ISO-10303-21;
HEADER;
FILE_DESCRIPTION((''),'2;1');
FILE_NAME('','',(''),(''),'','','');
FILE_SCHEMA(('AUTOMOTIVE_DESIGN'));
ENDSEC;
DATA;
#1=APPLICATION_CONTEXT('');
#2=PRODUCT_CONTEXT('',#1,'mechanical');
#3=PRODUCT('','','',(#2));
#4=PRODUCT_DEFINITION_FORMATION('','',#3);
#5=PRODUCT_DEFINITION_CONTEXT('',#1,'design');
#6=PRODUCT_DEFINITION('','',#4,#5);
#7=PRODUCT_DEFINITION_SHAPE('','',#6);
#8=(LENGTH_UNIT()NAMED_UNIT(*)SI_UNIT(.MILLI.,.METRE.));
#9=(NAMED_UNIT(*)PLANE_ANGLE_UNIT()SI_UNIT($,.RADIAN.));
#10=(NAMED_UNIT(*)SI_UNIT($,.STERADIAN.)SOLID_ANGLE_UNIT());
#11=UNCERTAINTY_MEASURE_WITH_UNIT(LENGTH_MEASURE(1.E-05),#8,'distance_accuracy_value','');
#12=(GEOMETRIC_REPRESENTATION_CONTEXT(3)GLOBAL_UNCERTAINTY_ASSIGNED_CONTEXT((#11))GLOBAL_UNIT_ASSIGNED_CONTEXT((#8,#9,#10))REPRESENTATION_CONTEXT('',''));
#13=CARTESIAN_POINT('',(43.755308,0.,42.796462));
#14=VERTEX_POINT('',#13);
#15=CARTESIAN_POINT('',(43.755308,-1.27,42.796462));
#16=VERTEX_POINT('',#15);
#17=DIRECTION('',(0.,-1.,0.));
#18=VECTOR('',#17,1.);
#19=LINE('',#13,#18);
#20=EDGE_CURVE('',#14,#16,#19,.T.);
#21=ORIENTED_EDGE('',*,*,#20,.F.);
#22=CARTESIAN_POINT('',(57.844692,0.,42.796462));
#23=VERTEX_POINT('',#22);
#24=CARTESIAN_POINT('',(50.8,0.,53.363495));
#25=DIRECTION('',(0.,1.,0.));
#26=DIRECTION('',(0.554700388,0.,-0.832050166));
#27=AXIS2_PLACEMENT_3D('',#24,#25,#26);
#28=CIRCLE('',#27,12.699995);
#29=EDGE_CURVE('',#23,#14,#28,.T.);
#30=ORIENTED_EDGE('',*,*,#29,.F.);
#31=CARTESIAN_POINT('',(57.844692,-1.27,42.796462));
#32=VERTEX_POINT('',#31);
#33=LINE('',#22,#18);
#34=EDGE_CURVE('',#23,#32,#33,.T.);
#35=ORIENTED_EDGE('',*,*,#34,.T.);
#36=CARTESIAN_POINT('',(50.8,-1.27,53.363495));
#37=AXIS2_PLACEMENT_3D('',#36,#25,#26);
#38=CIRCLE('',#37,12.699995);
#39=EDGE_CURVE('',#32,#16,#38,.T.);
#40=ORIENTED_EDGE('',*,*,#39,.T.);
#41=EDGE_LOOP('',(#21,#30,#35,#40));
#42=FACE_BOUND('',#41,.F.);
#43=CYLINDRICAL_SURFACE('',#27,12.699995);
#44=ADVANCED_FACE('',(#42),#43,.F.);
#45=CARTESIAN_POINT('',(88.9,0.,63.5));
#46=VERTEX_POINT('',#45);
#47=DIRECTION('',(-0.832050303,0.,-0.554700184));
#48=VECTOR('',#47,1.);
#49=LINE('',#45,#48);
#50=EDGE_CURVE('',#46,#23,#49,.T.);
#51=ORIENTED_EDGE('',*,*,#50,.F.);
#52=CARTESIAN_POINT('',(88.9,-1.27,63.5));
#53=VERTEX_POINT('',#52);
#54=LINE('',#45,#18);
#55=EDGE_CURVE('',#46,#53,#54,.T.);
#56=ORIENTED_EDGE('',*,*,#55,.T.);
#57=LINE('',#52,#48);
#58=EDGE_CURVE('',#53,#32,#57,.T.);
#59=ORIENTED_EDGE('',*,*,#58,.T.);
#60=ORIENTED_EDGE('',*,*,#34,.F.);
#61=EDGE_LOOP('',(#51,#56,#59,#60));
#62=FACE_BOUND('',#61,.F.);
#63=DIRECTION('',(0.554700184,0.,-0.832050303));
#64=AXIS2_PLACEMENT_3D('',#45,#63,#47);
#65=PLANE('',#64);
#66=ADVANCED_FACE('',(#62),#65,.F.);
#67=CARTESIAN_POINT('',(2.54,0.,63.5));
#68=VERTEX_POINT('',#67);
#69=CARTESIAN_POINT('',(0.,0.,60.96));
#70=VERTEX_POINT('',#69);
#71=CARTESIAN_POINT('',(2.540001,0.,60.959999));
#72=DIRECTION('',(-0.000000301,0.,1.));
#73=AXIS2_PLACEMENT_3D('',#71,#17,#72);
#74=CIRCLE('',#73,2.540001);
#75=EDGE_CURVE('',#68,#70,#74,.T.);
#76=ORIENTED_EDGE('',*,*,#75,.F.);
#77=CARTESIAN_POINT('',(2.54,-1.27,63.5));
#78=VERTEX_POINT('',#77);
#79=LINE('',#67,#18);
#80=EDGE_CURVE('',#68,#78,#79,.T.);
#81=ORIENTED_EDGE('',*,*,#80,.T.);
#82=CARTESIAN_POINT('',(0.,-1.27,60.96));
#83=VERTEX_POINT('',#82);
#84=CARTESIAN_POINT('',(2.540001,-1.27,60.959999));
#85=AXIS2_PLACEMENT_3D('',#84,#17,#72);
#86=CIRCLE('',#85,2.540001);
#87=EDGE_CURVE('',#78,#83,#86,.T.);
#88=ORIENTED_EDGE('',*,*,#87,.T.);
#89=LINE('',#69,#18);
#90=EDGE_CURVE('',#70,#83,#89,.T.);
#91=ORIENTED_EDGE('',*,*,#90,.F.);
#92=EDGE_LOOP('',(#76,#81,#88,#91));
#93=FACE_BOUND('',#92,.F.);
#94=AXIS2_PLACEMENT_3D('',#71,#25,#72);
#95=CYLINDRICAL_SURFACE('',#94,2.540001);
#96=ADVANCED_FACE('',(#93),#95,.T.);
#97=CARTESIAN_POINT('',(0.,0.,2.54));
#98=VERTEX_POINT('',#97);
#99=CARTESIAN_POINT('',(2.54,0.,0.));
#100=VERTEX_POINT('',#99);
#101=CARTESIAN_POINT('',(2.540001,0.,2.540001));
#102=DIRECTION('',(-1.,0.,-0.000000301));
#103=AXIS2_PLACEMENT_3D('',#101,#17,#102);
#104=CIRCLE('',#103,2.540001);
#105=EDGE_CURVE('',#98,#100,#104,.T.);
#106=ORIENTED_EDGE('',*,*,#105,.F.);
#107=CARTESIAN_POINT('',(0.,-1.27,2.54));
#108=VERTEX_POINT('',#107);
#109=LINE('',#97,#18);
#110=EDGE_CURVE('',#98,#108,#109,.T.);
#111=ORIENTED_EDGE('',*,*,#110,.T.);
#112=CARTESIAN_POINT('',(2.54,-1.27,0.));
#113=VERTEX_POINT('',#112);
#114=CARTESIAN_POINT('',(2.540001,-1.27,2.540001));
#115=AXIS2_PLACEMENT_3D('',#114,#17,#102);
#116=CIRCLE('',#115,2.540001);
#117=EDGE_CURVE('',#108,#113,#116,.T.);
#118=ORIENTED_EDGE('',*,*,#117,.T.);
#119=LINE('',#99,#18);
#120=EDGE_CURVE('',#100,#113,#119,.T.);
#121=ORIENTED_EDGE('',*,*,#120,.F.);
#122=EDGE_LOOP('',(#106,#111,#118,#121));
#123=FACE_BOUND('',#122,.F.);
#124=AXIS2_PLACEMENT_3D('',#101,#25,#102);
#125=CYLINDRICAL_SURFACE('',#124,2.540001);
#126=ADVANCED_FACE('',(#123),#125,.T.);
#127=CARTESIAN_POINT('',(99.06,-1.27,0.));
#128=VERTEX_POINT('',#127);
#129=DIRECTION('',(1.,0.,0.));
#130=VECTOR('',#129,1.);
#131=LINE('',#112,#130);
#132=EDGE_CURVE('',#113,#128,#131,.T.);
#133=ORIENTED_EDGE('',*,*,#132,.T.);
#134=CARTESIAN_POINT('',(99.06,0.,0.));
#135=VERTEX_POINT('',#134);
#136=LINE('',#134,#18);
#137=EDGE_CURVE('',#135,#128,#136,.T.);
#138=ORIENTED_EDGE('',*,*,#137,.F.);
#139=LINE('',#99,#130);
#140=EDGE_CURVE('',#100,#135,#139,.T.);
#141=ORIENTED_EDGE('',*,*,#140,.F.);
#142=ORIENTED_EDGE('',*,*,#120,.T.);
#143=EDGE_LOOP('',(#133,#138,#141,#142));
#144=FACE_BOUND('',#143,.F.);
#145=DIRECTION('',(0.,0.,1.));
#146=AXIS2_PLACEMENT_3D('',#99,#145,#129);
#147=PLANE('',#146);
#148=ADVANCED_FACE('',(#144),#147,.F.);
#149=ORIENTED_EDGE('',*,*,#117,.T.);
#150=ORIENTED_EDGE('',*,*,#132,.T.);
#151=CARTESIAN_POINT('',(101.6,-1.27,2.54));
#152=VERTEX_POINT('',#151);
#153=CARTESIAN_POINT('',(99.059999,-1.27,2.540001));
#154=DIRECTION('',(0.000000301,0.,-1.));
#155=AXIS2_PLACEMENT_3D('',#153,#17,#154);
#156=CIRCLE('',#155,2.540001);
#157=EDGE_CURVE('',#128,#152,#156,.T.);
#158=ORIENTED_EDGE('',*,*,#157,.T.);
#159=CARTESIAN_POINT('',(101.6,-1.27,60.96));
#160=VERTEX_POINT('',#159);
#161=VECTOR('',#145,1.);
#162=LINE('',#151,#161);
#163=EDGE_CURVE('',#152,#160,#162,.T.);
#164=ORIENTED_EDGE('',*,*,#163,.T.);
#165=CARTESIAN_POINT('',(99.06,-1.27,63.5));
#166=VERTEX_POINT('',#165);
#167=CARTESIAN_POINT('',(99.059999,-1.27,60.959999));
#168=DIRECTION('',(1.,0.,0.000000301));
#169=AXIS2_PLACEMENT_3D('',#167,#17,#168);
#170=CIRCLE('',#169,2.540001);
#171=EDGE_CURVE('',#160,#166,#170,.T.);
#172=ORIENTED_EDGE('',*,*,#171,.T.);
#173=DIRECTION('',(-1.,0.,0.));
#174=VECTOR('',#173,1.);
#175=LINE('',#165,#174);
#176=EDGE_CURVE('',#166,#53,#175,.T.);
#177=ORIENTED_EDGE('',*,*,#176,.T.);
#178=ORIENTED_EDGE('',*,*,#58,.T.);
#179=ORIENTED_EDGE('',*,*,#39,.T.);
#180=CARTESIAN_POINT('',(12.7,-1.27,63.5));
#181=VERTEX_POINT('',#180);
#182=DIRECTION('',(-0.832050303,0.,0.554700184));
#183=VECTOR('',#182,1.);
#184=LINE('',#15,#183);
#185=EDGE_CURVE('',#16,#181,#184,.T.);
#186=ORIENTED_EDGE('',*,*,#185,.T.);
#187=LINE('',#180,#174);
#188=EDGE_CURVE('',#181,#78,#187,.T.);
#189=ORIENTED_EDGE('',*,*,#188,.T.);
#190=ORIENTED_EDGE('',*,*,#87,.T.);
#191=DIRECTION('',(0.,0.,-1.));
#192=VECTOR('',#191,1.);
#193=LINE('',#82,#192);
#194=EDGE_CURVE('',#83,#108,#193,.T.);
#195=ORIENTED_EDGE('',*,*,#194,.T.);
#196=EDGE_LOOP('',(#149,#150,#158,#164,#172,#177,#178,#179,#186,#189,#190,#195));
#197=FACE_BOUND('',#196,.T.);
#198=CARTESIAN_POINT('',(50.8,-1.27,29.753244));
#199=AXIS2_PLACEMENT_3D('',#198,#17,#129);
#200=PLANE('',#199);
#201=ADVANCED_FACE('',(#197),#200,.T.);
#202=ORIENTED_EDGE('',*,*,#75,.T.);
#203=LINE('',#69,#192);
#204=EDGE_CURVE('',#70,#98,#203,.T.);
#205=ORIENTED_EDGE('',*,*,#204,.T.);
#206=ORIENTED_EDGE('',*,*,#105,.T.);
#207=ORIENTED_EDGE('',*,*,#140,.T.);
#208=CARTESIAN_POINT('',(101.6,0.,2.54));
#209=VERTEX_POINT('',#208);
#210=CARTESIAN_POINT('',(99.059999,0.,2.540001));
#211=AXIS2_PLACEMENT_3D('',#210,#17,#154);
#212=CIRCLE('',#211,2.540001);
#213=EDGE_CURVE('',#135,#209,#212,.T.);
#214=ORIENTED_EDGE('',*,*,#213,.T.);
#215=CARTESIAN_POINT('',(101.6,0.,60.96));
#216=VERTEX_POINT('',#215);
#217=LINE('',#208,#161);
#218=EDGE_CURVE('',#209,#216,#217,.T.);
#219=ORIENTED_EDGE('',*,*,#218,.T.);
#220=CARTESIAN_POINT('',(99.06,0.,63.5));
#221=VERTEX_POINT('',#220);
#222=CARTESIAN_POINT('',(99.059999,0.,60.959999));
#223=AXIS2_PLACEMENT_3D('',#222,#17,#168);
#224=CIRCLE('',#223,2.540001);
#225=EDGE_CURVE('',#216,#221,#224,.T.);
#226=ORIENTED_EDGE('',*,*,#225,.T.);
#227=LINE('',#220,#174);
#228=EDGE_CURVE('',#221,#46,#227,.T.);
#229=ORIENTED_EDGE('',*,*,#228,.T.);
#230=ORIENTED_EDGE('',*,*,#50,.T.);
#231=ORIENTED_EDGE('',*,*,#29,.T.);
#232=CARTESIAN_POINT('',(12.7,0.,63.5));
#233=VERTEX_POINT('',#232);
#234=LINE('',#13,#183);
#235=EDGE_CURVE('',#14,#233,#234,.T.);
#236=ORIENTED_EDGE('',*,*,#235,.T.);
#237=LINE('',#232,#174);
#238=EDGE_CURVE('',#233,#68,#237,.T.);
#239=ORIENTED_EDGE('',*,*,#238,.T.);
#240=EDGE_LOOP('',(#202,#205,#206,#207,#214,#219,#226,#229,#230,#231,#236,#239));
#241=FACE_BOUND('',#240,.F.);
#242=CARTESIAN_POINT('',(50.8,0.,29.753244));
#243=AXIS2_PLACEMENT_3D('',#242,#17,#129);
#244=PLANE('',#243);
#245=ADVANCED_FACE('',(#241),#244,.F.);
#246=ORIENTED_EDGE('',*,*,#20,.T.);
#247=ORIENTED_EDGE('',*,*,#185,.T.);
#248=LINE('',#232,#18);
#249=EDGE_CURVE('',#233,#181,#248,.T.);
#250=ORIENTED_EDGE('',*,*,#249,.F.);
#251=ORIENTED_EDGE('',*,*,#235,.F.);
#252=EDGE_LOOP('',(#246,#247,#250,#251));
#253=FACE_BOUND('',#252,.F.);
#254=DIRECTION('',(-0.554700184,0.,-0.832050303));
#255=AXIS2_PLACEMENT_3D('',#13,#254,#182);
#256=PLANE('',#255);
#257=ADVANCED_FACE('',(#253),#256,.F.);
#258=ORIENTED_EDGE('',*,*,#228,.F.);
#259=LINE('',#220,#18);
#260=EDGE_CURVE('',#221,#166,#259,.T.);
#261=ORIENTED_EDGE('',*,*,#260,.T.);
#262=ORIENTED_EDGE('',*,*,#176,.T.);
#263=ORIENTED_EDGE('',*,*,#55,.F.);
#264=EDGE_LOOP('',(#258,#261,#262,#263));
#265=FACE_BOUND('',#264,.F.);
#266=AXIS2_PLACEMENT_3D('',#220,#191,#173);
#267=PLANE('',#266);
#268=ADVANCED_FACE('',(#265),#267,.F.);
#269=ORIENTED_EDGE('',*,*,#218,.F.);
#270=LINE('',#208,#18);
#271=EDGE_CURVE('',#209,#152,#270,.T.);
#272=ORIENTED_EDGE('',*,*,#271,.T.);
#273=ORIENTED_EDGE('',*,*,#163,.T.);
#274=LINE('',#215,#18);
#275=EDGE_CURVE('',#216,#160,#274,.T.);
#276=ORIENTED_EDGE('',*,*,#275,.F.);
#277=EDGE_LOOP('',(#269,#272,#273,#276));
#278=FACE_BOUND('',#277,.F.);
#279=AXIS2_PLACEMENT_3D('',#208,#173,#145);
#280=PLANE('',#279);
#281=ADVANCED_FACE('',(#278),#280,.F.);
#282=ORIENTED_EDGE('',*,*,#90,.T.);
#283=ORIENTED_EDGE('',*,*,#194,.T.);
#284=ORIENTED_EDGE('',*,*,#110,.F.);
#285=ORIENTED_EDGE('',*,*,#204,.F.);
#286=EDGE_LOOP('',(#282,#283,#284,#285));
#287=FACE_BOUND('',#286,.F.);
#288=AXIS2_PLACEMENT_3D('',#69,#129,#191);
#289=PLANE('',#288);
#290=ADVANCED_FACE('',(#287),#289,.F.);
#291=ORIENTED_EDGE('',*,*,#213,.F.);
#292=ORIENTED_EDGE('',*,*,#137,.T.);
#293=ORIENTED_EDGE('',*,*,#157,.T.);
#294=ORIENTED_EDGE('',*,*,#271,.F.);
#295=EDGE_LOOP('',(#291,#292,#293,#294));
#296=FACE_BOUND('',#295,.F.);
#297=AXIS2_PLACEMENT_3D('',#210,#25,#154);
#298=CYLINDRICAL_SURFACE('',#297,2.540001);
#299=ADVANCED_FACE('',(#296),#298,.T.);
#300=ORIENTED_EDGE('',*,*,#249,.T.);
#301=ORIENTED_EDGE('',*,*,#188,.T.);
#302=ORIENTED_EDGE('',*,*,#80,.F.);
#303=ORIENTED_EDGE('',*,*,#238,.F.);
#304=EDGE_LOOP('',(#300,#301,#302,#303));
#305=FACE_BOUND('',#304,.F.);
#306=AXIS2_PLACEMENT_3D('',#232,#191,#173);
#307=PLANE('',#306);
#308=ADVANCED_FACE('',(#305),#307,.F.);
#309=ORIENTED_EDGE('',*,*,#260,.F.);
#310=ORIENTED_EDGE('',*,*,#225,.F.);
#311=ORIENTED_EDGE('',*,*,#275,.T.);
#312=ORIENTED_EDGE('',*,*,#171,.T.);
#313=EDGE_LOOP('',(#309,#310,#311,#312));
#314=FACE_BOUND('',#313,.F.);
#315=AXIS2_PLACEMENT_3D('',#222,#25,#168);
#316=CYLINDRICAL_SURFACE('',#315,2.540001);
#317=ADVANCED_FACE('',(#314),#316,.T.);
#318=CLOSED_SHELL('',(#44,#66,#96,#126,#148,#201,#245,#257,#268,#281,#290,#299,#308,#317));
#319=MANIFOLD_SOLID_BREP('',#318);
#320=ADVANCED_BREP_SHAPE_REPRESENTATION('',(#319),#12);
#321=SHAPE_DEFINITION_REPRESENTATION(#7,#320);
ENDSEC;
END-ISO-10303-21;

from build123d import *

# Parameters (mm, degrees)
F1_DEPTH = 1.27


with BuildPart() as f1:
    # F0 (on Front) → F1 (new body)
    with BuildSketch(Plane.XZ):
        with BuildLine():
            ThreePointArc((0, 2.54), (0.743949, 0.743949), (2.54, 0))
            Line((2.54, 0), (99.06, 0))
            ThreePointArc((99.06, 0), (100.856051, 0.743949), (101.6, 2.54))
            Line((101.6, 2.54), (101.6, 60.96))
            ThreePointArc((101.6, 60.96), (100.856051, 62.756051), (99.06, 63.5))
            Line((99.06, 63.5), (88.9, 63.5))
            Line((88.9, 63.5), (57.844692, 42.796462))
            ThreePointArc((57.844692, 42.796462), (50.8, 40.6635), (43.755308, 42.796462))
            Line((43.755308, 42.796462), (12.7, 63.5))
            Line((12.7, 63.5), (2.54, 63.5))
            ThreePointArc((2.54, 63.5), (0.743949, 62.756051), (0, 60.96))
            Line((0, 60.96), (0, 2.54))
        make_face()
    extrude(amount=F1_DEPTH)


solid = f1.part
